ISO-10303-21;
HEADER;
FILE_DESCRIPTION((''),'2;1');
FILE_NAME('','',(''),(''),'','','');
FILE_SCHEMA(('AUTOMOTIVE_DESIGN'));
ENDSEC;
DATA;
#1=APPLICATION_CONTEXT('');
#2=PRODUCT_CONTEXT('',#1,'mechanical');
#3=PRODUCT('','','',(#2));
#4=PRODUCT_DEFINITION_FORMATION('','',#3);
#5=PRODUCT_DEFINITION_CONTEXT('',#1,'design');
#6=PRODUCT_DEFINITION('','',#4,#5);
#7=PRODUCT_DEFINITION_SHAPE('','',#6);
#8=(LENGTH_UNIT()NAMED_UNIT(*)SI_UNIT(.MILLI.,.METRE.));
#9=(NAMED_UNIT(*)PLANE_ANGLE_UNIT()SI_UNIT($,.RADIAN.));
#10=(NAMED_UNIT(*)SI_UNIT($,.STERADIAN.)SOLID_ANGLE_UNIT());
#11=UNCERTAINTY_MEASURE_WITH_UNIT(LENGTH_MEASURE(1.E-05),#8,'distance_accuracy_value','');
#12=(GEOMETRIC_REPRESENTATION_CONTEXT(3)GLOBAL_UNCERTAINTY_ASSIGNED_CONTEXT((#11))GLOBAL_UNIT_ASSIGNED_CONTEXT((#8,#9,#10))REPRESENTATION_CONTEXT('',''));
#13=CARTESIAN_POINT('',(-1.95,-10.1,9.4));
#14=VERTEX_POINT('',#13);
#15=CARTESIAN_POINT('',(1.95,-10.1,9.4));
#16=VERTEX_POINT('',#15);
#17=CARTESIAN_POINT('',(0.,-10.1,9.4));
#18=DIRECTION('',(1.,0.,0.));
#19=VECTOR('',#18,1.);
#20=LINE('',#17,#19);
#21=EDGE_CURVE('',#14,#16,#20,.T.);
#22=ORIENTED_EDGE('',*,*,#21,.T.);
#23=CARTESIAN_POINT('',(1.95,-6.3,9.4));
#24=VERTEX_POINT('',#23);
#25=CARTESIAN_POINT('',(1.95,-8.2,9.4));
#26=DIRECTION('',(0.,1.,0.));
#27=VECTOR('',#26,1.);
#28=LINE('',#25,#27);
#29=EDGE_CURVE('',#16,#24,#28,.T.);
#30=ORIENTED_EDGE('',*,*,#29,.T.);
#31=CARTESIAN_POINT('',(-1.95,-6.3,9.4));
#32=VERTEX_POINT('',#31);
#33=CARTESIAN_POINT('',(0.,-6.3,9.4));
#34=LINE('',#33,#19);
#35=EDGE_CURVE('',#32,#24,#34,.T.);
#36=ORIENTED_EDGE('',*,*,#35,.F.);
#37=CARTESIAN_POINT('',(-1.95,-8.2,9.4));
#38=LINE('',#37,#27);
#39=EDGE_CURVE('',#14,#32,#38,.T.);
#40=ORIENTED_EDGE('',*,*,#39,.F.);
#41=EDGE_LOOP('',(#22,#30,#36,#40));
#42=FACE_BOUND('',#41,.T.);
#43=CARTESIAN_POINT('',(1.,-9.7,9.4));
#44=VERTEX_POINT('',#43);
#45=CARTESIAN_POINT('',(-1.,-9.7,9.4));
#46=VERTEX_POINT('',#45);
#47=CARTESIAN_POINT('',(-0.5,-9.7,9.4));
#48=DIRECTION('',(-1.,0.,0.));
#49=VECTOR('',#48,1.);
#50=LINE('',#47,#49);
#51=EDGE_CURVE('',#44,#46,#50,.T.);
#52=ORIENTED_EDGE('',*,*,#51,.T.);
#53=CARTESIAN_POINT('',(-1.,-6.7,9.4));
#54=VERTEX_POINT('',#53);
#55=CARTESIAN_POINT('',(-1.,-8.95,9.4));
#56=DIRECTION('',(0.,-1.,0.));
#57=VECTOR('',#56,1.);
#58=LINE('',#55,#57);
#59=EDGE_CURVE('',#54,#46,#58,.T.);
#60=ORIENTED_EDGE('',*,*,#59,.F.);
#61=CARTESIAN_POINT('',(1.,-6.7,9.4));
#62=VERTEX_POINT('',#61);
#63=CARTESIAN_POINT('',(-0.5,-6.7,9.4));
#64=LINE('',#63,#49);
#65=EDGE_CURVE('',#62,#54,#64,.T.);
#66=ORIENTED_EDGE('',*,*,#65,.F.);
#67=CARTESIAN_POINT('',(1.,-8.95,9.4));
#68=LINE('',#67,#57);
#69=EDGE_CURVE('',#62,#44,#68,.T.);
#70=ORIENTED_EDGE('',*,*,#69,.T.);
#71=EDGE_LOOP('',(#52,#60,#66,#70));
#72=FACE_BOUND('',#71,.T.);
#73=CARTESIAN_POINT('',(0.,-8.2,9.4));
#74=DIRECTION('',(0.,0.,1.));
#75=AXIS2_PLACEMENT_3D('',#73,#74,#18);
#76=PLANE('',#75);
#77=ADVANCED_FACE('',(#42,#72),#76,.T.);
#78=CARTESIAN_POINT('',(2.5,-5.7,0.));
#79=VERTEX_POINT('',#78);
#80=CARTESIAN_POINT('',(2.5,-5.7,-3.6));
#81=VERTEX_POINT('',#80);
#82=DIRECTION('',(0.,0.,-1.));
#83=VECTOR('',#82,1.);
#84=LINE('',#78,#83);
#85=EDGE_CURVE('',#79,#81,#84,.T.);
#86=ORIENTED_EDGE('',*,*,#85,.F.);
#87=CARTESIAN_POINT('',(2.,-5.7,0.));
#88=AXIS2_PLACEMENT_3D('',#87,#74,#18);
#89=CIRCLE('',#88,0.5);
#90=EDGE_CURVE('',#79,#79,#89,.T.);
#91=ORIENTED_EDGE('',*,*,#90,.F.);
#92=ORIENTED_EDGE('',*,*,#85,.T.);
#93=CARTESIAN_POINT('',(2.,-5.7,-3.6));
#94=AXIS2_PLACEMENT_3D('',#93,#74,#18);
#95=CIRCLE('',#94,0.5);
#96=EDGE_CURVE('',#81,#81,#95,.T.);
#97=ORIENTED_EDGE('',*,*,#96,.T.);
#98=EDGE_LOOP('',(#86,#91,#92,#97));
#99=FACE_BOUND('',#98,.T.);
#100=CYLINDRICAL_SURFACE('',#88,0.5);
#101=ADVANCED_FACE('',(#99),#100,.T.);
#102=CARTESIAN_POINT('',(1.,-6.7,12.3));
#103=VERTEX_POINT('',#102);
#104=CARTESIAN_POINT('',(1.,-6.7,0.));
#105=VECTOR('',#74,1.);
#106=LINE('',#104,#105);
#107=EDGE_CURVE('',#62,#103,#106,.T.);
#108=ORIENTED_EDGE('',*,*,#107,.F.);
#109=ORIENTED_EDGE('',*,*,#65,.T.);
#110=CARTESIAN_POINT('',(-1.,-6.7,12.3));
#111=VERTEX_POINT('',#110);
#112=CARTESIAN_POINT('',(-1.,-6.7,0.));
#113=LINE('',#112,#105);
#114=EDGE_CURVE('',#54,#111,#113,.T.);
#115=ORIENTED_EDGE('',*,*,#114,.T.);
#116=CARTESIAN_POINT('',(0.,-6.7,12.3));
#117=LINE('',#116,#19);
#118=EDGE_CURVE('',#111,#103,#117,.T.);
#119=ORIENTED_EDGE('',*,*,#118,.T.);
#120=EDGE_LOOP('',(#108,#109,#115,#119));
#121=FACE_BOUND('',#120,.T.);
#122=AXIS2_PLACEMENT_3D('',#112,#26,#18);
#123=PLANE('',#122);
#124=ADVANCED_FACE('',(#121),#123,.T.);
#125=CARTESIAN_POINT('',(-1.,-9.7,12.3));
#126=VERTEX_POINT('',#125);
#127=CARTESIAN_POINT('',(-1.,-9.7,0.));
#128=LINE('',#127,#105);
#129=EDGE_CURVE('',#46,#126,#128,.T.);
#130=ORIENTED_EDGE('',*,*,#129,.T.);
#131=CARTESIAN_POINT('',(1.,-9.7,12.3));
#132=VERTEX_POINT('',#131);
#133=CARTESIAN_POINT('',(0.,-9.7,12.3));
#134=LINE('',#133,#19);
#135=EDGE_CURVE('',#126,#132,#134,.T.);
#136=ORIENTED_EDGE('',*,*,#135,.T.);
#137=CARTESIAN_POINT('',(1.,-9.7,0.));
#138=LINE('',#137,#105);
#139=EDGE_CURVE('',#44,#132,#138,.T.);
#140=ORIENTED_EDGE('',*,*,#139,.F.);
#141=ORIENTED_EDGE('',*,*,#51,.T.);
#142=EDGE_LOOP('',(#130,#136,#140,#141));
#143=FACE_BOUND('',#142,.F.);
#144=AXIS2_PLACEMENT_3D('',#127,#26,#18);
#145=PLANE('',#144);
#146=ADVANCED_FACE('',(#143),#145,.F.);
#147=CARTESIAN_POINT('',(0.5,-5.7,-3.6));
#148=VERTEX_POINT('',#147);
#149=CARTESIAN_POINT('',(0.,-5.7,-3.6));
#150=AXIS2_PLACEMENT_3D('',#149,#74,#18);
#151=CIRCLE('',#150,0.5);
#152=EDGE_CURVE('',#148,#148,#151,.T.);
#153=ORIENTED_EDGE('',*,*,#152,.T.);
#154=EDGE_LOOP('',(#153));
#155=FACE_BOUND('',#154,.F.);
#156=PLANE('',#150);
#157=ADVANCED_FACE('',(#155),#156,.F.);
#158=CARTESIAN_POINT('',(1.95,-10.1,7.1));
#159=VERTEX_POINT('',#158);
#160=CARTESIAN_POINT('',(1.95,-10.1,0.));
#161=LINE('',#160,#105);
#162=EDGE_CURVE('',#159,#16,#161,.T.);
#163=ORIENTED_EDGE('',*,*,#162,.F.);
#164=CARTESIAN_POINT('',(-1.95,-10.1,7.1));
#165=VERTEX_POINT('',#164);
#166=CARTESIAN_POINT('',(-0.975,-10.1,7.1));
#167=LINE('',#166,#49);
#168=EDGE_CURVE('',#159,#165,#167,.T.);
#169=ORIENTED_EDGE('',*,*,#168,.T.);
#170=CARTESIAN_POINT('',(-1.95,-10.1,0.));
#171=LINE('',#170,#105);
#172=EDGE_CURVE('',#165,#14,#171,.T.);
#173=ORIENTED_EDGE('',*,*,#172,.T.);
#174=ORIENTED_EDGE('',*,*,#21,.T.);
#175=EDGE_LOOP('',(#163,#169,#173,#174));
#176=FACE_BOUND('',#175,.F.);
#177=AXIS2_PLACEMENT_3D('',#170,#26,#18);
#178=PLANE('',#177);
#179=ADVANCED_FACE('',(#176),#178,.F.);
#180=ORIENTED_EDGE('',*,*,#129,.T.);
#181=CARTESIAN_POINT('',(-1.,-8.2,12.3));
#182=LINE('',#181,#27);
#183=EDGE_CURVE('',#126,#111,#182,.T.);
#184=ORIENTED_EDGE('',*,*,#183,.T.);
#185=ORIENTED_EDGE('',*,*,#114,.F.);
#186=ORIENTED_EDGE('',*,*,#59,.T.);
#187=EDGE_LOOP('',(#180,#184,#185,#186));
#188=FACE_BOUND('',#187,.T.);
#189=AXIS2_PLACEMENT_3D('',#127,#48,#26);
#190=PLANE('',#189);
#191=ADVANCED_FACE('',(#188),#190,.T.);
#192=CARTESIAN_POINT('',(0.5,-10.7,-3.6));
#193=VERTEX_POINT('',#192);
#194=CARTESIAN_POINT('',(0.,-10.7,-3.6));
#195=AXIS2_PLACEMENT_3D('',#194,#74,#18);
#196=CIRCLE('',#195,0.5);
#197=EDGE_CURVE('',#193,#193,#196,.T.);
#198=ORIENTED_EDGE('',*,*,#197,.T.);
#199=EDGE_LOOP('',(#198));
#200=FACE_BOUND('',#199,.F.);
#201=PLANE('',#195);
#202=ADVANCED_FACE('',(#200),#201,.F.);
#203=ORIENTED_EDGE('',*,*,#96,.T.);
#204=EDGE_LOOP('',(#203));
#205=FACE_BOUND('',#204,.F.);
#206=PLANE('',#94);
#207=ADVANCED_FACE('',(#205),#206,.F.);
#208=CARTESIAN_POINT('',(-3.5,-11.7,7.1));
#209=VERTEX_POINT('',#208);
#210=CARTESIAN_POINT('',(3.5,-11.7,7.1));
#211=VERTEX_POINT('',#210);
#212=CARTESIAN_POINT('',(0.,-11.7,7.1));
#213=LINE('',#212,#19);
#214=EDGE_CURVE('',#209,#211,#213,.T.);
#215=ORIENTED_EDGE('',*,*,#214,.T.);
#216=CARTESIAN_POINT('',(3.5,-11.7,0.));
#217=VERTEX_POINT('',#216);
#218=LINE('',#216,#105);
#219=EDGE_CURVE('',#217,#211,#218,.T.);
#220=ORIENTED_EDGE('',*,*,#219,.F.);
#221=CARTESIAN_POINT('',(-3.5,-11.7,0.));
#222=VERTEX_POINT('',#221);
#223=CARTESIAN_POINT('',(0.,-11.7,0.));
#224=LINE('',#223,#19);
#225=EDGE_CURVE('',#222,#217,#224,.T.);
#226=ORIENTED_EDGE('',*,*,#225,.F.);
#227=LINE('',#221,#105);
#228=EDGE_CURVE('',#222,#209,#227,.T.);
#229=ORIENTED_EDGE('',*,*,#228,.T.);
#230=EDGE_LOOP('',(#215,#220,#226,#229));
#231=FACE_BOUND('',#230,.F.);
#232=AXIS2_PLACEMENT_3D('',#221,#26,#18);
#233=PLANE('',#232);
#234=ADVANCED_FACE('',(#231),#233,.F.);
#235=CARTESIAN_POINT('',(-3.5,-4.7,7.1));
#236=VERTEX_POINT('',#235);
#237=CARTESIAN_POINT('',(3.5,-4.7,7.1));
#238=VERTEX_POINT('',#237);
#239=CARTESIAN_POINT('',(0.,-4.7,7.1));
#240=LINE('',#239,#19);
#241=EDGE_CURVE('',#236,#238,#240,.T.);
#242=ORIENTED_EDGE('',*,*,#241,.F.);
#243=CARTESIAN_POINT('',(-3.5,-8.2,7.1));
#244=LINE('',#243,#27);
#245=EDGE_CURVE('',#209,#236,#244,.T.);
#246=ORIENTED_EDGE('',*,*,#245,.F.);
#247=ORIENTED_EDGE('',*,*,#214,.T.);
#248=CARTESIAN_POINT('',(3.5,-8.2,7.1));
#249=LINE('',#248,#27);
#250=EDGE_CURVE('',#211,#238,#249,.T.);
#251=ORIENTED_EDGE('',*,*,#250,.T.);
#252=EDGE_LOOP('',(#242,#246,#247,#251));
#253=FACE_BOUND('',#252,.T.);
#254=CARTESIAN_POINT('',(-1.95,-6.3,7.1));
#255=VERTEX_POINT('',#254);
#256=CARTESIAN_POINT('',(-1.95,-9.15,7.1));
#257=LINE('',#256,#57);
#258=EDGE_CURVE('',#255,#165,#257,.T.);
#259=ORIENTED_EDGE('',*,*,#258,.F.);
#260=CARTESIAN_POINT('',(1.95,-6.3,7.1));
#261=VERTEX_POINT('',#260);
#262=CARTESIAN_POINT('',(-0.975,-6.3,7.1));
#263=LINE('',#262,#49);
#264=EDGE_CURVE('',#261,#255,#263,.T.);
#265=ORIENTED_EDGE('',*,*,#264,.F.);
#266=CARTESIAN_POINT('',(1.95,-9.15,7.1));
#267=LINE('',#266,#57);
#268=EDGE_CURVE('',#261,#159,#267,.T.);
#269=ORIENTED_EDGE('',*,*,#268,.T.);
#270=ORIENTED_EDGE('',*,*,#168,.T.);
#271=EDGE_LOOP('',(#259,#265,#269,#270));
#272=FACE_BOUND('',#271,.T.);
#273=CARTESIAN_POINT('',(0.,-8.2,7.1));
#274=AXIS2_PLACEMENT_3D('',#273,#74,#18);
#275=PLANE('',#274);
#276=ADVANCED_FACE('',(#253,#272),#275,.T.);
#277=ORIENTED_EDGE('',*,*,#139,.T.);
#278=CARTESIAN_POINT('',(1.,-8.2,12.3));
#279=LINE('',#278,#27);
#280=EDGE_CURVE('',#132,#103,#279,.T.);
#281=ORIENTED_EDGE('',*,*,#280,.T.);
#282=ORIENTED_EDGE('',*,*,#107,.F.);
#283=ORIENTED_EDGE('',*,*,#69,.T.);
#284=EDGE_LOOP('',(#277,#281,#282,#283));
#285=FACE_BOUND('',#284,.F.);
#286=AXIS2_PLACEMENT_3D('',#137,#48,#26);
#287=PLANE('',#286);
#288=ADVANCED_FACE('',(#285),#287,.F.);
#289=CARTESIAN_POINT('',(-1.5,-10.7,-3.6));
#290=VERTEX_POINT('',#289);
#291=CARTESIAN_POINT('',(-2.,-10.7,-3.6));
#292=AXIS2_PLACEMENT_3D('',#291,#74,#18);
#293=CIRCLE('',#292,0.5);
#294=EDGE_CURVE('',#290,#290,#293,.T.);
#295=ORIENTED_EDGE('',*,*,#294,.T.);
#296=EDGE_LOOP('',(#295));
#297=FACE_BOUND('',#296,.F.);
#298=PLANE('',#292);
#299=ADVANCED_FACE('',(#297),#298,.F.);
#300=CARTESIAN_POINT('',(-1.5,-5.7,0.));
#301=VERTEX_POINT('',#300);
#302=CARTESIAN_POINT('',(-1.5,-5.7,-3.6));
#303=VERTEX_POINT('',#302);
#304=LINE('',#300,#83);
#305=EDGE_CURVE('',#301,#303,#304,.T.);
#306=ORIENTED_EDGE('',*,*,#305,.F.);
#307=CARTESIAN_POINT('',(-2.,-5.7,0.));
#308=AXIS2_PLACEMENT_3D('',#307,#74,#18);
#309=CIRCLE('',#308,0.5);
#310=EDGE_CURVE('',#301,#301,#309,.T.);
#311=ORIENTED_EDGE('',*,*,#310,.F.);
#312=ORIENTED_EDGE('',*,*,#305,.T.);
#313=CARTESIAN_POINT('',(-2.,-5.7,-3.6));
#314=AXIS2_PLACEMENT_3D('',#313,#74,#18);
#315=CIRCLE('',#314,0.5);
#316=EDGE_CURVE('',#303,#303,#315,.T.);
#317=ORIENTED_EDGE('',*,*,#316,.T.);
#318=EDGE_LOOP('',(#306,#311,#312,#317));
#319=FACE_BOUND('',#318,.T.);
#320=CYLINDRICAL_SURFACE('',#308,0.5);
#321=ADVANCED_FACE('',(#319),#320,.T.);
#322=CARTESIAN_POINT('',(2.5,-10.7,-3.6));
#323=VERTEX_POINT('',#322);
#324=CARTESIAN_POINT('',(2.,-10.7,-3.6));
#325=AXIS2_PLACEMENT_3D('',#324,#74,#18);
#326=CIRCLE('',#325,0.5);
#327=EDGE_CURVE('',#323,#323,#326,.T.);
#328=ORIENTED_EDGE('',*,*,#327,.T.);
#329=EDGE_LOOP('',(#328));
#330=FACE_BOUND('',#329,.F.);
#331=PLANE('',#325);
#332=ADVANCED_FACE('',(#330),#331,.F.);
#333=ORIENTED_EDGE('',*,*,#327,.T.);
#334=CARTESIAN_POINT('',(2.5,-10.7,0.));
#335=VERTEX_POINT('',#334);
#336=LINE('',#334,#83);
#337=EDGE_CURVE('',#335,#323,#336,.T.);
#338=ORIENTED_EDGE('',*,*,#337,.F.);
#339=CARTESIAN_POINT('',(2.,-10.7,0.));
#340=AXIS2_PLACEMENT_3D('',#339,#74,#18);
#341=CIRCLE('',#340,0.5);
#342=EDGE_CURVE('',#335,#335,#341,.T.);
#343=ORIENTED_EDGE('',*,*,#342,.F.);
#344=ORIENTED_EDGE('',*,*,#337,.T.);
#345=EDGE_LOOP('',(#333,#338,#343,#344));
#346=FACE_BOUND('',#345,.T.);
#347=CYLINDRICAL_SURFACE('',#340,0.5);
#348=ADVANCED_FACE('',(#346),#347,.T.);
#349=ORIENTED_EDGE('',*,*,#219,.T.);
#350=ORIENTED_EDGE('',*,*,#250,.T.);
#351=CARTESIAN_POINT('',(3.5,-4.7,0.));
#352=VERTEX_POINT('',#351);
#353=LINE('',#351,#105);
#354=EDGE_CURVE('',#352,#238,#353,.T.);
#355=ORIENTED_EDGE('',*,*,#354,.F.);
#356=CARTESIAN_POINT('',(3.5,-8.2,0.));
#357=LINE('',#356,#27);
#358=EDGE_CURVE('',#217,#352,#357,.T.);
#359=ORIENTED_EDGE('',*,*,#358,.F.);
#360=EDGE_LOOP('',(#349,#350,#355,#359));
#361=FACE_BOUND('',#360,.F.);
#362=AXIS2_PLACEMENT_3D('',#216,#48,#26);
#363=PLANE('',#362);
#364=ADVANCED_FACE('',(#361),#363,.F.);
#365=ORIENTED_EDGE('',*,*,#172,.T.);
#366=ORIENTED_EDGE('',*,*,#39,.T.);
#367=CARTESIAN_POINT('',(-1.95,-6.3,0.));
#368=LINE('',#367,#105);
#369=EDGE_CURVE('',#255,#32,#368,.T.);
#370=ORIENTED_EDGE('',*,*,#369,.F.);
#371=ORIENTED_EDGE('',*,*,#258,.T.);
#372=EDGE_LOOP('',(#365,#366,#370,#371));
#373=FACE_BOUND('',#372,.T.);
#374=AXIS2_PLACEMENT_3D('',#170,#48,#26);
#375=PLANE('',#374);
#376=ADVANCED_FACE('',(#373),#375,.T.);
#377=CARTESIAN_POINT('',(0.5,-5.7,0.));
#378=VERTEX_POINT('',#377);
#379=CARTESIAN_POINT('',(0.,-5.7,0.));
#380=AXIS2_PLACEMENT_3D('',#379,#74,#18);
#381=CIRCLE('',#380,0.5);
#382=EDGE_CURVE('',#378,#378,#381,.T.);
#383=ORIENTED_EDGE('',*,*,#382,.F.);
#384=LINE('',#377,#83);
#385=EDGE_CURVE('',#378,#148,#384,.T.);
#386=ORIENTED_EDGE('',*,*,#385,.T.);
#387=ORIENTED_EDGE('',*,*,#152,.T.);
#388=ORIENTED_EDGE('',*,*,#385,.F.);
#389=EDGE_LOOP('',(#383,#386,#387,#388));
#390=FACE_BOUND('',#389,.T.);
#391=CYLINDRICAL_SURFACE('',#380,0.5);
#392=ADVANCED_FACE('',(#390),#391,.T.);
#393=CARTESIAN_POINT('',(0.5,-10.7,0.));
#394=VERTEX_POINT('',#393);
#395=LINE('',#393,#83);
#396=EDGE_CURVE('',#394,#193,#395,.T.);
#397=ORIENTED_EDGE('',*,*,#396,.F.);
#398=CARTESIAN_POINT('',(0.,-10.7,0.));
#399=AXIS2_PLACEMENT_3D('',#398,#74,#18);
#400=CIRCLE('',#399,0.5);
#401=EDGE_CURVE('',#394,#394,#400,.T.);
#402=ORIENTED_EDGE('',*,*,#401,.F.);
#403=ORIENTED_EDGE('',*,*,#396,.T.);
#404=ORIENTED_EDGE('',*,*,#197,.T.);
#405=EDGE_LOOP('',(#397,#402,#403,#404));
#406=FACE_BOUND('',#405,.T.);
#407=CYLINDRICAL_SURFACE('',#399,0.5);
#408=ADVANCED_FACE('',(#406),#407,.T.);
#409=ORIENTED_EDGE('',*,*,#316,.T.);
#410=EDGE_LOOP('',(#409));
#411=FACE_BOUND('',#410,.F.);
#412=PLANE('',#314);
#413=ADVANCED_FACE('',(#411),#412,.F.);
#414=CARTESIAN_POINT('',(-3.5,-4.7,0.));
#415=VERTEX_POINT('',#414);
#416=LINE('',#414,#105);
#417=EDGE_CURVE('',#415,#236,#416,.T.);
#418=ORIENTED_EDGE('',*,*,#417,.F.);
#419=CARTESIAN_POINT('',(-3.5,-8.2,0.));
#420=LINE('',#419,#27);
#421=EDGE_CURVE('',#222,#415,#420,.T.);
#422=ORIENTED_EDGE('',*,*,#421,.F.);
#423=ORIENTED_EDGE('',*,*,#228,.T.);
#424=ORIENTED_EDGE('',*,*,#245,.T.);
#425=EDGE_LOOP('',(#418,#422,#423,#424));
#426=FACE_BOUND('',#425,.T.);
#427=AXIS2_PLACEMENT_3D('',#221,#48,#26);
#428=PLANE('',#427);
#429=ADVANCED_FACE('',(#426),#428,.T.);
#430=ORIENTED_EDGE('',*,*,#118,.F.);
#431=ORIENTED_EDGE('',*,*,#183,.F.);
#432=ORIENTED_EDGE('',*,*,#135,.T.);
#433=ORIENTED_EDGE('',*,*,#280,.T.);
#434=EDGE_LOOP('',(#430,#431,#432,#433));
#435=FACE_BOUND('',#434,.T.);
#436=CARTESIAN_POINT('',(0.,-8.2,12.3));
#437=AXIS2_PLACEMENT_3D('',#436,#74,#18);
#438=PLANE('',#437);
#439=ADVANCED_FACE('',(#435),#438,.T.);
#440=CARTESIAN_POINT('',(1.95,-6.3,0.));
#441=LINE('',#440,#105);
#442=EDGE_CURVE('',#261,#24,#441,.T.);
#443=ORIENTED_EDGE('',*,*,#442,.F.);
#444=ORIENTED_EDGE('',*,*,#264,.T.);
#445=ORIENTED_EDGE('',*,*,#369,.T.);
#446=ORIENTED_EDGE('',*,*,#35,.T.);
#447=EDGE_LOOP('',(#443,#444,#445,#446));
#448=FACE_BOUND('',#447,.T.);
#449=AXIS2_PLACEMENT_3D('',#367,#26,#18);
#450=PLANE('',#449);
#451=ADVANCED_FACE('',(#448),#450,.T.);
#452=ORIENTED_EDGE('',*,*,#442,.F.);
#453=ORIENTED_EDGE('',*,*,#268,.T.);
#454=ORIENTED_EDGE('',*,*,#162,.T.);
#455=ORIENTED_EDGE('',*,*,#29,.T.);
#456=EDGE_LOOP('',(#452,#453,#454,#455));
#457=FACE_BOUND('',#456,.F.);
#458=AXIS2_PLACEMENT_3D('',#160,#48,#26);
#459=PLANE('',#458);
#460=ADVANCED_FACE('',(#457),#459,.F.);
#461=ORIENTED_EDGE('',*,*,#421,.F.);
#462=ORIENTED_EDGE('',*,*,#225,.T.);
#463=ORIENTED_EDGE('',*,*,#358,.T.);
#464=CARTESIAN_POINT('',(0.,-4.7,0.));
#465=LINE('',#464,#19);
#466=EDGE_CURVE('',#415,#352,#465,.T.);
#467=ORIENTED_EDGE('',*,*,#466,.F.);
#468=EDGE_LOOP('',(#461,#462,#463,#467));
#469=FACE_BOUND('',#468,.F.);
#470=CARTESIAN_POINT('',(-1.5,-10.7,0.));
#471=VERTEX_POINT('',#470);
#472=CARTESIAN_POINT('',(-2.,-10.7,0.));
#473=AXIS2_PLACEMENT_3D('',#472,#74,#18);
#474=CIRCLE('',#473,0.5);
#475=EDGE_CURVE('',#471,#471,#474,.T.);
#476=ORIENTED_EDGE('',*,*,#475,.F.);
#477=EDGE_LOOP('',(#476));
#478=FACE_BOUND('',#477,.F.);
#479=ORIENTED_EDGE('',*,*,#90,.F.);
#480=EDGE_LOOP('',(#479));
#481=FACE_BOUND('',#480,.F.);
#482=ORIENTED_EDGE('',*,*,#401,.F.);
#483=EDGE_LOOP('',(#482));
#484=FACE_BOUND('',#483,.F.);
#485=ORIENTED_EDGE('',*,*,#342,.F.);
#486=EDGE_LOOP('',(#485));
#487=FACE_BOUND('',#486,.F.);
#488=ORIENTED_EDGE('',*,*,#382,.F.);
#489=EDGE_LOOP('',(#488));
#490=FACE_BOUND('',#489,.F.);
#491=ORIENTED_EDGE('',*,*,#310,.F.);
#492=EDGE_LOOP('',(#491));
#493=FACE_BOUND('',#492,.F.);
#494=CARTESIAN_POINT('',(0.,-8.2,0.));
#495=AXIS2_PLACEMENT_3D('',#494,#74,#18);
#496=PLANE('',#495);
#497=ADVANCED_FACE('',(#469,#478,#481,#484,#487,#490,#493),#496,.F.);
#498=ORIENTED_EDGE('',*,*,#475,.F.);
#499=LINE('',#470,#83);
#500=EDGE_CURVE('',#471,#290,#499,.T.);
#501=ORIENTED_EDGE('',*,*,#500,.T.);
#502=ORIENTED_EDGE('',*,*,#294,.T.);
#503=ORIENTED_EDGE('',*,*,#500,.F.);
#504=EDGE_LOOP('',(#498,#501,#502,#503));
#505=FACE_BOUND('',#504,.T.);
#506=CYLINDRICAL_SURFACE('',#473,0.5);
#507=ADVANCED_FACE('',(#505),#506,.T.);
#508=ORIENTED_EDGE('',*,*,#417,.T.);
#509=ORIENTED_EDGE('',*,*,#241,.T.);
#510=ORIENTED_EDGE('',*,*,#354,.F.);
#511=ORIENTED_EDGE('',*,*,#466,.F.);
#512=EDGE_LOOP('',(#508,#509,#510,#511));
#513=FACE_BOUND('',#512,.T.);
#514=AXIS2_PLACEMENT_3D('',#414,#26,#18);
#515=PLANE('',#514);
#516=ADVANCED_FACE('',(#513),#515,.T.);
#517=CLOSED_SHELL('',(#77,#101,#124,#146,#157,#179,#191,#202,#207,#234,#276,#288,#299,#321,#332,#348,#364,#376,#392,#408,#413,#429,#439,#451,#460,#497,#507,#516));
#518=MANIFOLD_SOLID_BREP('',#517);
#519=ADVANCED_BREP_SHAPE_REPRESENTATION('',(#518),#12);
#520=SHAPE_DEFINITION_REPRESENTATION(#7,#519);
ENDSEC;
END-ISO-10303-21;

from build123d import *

# Parameters (mm, degrees)
SKETCH069_W  = 7
SKETCH069_H  = 7
PAD039_DEPTH = 7.1
SKETCH070_R  = 0.5
PAD040_DEPTH = 3.6
SKETCH071_W  = 3.9
SKETCH071_H  = 3.8
PAD041_DEPTH = 9.4
SKETCH072_W  = 2
SKETCH072_H  = 3
PAD042_DEPTH = 12.3


with BuildPart() as part:
    # Sketch069 → Pad039 (new body)
    with BuildSketch(Plane.XY):
        Rectangle(SKETCH069_W, SKETCH069_H)
    extrude(amount=PAD039_DEPTH)

    # Sketch070 → Pad040 (join)
    with BuildSketch(Plane.XY):
        with Locations((0, 2.5)):
            Circle(SKETCH070_R)
        with Locations((0, -2.5)):
            Circle(SKETCH070_R)
        with Locations((2, 2.5)):
            Circle(SKETCH070_R)
        with Locations((-2, 2.5)):
            Circle(SKETCH070_R)
        with Locations((-2, -2.5)):
            Circle(SKETCH070_R)
        with Locations((2, -2.5)):
            Circle(SKETCH070_R)
    extrude(amount=-PAD040_DEPTH)

    # Sketch071 → Pad041 (join)
    with BuildSketch(Plane.XY):
        Rectangle(SKETCH071_W, SKETCH071_H)
    extrude(amount=PAD041_DEPTH)

    # Sketch072 → Pad042 (join)
    with BuildSketch(Plane.XY):
        Rectangle(SKETCH072_W, SKETCH072_H)
    extrude(amount=PAD042_DEPTH)


with BuildPart() as part_1:
    # Body058 placement: moved
    add(part.part.moved(Location((0, -8.2, 0))))


solid = part_1.part
